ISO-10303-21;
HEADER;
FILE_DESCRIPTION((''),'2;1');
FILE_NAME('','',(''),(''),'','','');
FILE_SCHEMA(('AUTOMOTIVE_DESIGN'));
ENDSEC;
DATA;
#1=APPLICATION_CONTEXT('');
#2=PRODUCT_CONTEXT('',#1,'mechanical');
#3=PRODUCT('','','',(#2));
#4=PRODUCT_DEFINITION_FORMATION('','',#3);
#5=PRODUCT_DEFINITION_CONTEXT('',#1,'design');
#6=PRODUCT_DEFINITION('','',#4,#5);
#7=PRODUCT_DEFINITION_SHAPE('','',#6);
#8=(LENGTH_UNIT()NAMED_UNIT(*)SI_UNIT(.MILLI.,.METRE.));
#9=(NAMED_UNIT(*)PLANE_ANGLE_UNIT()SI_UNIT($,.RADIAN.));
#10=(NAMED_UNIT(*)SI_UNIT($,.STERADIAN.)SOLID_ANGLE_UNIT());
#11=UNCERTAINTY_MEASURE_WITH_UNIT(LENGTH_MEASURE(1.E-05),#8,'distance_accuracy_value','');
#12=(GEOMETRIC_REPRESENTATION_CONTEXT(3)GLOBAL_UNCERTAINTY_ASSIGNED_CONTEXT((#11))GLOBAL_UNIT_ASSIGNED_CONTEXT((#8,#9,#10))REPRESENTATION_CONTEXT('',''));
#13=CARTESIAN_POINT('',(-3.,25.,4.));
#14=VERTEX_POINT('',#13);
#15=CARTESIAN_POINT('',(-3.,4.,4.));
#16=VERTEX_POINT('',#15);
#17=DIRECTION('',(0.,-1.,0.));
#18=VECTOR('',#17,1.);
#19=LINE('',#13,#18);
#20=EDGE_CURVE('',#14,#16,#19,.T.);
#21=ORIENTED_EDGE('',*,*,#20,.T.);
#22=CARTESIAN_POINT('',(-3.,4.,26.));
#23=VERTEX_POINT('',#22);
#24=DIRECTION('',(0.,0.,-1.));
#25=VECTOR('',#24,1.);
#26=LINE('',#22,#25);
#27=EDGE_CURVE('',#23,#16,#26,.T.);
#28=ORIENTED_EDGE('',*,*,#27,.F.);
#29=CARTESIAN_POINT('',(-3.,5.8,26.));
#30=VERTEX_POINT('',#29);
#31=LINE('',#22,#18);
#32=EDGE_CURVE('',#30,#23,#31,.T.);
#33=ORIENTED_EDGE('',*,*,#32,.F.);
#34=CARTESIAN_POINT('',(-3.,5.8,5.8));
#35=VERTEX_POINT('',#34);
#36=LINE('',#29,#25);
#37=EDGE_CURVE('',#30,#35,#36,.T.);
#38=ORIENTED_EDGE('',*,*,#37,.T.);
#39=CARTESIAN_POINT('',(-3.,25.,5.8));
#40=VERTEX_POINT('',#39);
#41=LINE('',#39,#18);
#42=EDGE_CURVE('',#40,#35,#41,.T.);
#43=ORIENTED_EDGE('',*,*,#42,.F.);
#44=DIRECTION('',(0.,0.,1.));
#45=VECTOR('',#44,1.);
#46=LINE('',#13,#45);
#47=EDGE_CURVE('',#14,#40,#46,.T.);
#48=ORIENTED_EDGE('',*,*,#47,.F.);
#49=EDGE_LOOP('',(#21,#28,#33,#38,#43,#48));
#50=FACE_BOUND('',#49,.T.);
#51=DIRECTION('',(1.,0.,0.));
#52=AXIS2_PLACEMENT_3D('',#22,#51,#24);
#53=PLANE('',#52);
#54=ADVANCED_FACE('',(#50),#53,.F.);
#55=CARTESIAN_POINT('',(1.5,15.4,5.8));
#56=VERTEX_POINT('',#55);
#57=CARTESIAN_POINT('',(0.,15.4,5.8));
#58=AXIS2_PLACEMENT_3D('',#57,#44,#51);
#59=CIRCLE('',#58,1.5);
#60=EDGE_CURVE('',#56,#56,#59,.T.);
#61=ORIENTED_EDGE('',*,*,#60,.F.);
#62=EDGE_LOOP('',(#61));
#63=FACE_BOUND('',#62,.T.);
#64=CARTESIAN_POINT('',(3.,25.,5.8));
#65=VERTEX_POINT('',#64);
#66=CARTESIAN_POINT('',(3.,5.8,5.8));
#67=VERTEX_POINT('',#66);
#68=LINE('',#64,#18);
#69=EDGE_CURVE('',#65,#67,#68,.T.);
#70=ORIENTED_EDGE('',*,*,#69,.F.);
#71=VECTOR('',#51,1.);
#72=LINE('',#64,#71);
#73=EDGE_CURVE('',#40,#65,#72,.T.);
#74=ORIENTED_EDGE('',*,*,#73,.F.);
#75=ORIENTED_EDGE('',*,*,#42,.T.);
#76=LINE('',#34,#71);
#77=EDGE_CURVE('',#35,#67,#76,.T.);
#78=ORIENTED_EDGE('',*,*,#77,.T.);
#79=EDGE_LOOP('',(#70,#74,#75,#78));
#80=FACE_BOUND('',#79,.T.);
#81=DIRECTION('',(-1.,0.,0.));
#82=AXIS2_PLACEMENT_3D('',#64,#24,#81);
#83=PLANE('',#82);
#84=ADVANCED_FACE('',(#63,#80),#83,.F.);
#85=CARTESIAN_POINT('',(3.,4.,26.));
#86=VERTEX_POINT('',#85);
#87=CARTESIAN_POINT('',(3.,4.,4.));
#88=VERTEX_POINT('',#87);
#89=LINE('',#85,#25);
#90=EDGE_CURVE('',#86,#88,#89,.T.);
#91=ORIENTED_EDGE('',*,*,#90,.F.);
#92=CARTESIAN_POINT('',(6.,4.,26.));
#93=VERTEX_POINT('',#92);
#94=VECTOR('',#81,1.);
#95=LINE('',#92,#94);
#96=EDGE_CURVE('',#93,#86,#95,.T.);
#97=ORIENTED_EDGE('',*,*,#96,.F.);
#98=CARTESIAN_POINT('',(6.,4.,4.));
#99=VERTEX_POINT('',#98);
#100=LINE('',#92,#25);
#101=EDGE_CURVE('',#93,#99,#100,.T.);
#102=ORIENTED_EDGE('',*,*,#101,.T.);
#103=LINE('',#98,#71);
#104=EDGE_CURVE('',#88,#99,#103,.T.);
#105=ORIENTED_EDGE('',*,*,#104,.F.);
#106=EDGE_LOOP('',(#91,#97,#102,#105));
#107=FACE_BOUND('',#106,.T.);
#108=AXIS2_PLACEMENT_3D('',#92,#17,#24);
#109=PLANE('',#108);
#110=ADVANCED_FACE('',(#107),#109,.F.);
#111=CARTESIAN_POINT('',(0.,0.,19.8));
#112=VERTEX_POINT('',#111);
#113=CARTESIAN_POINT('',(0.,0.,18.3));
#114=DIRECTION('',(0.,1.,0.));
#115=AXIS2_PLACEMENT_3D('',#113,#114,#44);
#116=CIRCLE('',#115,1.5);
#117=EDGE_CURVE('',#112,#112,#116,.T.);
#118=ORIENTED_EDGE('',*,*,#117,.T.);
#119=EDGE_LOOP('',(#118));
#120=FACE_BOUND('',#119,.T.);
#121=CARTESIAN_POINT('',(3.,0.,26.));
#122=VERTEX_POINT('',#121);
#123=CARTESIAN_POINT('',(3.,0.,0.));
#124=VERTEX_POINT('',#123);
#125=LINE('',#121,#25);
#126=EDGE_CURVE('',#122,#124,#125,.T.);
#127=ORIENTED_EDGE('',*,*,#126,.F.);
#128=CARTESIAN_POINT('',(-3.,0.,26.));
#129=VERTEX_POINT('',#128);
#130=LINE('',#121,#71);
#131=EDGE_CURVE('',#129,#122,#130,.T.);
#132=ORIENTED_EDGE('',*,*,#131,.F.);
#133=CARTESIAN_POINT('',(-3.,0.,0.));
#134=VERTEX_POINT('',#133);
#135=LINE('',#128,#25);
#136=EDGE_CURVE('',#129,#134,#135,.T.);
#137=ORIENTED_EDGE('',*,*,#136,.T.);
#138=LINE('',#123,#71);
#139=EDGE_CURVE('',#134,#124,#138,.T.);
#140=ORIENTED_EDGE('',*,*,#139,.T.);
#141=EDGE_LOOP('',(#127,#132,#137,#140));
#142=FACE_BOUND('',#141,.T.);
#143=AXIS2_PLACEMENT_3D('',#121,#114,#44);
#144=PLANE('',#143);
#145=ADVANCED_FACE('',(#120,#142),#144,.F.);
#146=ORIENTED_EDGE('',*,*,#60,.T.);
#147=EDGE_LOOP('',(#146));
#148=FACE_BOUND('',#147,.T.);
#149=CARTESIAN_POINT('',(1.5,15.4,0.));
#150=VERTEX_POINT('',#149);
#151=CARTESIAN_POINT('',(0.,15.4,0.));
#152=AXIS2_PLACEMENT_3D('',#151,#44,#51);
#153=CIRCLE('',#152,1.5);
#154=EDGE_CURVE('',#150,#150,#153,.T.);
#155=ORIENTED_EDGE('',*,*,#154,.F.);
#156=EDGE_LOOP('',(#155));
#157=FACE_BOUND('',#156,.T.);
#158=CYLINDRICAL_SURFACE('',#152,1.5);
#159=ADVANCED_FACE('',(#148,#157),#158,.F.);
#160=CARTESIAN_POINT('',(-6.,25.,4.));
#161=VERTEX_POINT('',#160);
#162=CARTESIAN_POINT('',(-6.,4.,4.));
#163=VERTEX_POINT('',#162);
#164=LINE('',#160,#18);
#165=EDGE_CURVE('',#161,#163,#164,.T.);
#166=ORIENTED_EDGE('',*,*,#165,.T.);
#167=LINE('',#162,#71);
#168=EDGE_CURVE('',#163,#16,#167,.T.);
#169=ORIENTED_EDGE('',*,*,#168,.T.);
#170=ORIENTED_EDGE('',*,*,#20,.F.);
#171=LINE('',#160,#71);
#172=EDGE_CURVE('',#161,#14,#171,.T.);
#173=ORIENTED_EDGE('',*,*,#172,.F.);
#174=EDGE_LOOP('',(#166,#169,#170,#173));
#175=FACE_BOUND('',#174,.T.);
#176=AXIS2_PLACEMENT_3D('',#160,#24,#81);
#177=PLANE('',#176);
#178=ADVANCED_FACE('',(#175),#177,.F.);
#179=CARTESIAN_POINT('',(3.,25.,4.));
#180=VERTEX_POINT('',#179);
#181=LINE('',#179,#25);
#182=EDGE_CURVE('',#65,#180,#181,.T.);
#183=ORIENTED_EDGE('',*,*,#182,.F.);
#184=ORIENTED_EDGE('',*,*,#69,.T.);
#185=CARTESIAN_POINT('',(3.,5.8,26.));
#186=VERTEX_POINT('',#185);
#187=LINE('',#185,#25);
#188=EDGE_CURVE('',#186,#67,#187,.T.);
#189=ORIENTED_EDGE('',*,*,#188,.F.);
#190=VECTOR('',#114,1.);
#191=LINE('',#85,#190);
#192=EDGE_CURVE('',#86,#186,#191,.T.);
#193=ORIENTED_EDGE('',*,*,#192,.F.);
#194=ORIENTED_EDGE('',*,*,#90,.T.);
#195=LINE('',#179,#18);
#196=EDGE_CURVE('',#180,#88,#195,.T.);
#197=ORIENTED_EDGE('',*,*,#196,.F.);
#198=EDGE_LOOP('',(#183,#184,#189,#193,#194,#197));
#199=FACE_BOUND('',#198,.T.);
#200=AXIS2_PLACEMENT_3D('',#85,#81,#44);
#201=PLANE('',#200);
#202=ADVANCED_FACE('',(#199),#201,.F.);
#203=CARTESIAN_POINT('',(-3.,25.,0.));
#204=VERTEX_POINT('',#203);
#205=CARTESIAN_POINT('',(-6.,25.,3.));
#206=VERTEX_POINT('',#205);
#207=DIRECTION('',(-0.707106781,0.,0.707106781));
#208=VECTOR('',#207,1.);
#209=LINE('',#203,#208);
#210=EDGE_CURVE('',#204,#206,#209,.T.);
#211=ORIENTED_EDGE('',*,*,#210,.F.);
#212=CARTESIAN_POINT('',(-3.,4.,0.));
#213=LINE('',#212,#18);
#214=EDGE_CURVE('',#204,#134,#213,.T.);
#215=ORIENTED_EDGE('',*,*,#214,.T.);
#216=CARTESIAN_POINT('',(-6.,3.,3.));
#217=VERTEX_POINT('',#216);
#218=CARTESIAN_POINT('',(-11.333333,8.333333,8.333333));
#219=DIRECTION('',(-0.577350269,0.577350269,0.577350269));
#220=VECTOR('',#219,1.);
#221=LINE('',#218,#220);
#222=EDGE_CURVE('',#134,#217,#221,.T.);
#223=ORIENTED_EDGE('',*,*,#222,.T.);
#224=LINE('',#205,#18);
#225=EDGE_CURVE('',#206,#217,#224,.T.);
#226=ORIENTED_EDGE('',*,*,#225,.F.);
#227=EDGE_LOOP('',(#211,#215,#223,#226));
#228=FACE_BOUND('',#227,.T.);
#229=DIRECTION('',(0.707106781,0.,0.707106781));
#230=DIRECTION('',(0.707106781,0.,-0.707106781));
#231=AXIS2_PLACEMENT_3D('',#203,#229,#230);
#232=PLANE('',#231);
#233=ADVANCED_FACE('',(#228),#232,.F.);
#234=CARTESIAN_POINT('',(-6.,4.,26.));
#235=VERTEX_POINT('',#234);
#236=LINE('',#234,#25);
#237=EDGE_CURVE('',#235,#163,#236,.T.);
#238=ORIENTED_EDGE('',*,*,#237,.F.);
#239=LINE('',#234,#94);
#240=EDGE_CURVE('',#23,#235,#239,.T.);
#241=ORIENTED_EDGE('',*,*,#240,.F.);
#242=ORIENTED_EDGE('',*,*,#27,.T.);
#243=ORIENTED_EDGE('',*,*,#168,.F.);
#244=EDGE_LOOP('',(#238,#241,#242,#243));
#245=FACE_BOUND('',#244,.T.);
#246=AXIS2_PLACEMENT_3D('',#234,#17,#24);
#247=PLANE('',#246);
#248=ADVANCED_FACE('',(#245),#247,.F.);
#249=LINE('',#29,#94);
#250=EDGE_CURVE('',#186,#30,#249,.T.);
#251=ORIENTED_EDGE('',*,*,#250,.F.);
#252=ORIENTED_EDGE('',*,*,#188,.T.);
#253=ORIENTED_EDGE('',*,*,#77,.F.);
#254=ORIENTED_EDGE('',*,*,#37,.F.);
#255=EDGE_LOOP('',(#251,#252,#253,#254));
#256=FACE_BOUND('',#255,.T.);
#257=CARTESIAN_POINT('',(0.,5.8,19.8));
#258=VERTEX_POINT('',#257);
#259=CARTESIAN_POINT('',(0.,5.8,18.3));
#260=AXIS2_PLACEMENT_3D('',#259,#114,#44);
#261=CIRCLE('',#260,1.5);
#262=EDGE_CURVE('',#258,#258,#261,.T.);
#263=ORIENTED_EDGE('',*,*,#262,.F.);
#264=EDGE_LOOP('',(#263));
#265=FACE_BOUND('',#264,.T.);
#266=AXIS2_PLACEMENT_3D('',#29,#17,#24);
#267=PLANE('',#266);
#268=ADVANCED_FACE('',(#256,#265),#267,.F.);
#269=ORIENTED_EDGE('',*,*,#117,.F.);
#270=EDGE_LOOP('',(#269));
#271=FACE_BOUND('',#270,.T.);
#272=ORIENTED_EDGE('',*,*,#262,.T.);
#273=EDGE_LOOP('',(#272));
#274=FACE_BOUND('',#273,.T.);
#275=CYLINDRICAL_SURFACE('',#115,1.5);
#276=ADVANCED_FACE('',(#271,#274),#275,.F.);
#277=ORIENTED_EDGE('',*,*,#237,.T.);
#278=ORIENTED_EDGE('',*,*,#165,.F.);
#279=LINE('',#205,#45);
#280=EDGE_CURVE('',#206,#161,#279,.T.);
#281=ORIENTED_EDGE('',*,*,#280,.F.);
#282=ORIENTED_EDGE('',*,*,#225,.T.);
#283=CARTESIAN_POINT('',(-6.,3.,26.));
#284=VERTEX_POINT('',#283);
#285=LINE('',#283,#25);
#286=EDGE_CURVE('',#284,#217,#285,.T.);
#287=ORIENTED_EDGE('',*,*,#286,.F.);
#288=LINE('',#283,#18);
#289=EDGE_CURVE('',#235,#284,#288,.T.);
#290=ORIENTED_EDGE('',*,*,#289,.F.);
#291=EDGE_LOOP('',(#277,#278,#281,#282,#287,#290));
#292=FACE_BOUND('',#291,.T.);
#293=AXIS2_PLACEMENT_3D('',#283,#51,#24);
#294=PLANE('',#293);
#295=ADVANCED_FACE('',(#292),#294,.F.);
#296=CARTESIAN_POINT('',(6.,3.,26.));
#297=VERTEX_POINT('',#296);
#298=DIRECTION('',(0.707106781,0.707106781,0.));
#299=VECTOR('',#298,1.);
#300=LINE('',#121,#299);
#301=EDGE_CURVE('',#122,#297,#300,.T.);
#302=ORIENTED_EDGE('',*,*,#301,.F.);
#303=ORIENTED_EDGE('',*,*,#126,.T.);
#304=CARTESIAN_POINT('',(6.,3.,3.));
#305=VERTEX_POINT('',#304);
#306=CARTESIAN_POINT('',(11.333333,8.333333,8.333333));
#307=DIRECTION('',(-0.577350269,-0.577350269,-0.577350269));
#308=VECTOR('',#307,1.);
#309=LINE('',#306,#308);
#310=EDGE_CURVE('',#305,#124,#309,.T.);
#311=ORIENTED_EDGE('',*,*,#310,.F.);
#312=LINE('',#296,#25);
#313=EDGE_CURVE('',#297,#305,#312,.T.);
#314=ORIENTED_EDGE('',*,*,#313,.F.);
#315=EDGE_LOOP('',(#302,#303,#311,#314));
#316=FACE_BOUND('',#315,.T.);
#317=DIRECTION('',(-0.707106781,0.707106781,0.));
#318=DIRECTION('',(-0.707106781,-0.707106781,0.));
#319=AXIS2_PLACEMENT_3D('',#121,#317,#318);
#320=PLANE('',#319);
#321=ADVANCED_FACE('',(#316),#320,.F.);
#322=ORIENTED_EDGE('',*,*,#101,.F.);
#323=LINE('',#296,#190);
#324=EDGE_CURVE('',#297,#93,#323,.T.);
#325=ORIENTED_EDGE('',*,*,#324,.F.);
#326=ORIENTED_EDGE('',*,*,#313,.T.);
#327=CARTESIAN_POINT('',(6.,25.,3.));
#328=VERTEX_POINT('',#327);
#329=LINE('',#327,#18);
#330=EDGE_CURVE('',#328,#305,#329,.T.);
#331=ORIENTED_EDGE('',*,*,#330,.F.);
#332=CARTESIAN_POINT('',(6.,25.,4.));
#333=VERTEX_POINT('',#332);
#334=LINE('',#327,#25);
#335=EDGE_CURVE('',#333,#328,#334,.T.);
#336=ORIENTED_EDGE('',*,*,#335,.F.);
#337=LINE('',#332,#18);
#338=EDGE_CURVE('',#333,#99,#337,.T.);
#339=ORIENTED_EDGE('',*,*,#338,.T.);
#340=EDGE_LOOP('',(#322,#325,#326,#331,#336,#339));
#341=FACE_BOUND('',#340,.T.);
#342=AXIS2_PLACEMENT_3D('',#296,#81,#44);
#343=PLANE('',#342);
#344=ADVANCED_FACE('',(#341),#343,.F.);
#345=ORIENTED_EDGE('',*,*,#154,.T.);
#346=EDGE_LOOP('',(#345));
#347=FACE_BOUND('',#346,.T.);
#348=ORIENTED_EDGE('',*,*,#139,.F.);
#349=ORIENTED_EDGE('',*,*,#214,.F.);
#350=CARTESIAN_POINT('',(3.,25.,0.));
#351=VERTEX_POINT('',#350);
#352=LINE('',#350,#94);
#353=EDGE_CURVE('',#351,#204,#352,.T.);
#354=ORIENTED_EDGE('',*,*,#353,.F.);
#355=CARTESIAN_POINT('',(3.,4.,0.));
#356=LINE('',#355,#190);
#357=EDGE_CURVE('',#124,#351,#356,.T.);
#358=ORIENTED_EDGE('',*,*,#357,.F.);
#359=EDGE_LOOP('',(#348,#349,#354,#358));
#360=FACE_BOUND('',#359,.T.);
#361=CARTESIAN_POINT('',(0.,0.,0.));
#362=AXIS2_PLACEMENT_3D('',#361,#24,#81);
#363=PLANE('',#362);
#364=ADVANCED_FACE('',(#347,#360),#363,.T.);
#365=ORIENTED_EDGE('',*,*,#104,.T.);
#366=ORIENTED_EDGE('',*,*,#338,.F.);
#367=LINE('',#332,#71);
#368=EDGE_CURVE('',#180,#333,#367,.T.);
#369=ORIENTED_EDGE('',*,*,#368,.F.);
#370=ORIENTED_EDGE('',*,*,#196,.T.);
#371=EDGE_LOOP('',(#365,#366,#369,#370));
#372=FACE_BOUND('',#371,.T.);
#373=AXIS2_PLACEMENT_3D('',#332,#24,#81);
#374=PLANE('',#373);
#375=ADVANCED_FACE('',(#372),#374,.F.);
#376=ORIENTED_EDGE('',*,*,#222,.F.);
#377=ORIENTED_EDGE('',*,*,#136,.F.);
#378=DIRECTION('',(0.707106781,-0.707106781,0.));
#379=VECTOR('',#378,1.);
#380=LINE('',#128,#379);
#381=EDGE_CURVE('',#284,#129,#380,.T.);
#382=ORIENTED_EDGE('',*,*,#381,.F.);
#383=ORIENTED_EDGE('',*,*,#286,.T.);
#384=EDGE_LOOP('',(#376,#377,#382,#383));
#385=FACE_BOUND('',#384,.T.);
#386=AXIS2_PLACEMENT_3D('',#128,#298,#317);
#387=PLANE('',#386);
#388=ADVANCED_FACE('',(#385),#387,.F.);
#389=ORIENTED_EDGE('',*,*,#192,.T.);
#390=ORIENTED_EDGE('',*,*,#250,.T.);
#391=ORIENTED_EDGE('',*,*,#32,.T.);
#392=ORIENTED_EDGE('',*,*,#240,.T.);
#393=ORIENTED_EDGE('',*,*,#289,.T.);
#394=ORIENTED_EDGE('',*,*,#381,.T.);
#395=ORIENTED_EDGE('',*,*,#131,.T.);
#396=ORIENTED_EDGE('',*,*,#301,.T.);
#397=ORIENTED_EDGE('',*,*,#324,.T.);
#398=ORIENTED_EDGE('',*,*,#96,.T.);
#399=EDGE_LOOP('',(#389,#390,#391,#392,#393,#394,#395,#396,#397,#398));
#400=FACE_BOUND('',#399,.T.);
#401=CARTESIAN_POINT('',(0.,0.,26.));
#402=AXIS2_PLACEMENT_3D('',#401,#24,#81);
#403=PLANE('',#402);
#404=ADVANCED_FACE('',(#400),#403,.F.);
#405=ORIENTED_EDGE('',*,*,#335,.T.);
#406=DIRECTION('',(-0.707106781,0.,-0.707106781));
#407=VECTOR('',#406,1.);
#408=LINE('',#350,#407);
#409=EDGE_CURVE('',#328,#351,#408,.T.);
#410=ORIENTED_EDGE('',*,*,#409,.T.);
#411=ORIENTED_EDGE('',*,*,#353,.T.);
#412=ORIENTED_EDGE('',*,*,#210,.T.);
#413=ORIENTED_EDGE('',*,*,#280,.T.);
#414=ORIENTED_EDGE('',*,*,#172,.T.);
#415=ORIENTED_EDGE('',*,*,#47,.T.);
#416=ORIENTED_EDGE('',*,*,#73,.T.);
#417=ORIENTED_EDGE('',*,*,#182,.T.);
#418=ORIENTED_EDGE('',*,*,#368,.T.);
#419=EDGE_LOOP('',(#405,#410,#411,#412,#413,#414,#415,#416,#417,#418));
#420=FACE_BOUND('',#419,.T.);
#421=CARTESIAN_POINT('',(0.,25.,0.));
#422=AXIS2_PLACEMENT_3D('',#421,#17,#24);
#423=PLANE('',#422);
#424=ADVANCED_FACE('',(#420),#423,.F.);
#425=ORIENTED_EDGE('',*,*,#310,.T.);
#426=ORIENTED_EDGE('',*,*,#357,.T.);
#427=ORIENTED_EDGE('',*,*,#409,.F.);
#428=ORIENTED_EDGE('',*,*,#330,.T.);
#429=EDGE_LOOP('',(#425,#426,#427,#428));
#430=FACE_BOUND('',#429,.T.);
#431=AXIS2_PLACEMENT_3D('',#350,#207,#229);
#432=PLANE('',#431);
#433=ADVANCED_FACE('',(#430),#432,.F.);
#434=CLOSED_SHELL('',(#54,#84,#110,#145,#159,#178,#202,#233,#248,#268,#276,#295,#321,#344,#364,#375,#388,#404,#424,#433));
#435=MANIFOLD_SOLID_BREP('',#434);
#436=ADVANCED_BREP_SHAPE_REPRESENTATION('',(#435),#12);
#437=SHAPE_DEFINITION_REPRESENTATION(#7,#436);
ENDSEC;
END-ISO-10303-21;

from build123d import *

# Parameters (mm, degrees)
ESTRUSIONE_ESTRUSIONE1_DEPTH = 26
ESTRUSIONE_ESTRUSIONE2_DEPTH = 25
TAGLIO_ESTRUSIONE1_DEPTH     = 5
TAGLIO_ESTRUSIONE2_DEPTH     = 5
SCHIZZO5_R                   = 1.5
TAGLIO_ESTRUSIONE3_DEPTH     = 6.8
SCHIZZO6_R                   = 1.5
TAGLIO_ESTRUSIONE4_DEPTH     = 6.8


with BuildPart() as part:
    # Schizzo1 → Estrusione-Estrusione1 (new body)
    with BuildSketch(Plane.XY):
        Polygon((3, 0), (-3, 0), (-6, 3), (-6, 4), (-3, 4), (-3, 5.8), (3, 5.8), (3, 4), (6, 4), (6, 3), align=None)
    extrude(amount=ESTRUSIONE_ESTRUSIONE1_DEPTH)

    # Schizzo2 → Estrusione-Estrusione2 (add)
    with BuildSketch(Plane(origin=(0, 0, 0), x_dir=(1, 0, 0), z_dir=(0, 1, 0))):
        Polygon((3, 0), (6, -3), (6, -4), (3, -4), (3, -5.8), (-3, -5.8), (-3, -4), (-6, -4), (-6, -3), (-3, 0), align=None)
    extrude(amount=ESTRUSIONE_ESTRUSIONE2_DEPTH)

    # Schizzo3 → Taglio-Estrusione1 (cut)
    with BuildSketch(Plane(origin=(0, 0, 0), x_dir=(1, 0, 0), z_dir=(0, 1, 0))):
        Polygon((-3, 0), (-6, -3), (-6, 0), align=None)
        Polygon((6, -3), (6, 0), (3, 0), align=None)
    extrude(amount=TAGLIO_ESTRUSIONE1_DEPTH, mode=Mode.SUBTRACT)

    # Schizzo4 → Taglio-Estrusione2 (cut)
    with BuildSketch(Plane.XY.offset(4)):
        Polygon((-6, 3), (-3, 0), (-6, 0), align=None)
        Polygon((3, 0), (6, 0), (6, 3), align=None)
    extrude(amount=-TAGLIO_ESTRUSIONE2_DEPTH, mode=Mode.SUBTRACT)

    # Schizzo5 → Taglio-Estrusione3 (cut, through all)
    with BuildSketch(Plane.XY.offset(5.8)):
        with Locations((0, 15.4)):
            Circle(SCHIZZO5_R)
    extrude(amount=-TAGLIO_ESTRUSIONE3_DEPTH, mode=Mode.SUBTRACT)

    # Schizzo6 → Taglio-Estrusione4 (cut, through all)
    with BuildSketch(Plane(origin=(0, 5.8, 0), x_dir=(1, 0, 0), z_dir=(0, 1, 0))):
        with Locations((0, -18.3)):
            Circle(SCHIZZO6_R)
    extrude(amount=-TAGLIO_ESTRUSIONE4_DEPTH, mode=Mode.SUBTRACT)


solid = part.part
